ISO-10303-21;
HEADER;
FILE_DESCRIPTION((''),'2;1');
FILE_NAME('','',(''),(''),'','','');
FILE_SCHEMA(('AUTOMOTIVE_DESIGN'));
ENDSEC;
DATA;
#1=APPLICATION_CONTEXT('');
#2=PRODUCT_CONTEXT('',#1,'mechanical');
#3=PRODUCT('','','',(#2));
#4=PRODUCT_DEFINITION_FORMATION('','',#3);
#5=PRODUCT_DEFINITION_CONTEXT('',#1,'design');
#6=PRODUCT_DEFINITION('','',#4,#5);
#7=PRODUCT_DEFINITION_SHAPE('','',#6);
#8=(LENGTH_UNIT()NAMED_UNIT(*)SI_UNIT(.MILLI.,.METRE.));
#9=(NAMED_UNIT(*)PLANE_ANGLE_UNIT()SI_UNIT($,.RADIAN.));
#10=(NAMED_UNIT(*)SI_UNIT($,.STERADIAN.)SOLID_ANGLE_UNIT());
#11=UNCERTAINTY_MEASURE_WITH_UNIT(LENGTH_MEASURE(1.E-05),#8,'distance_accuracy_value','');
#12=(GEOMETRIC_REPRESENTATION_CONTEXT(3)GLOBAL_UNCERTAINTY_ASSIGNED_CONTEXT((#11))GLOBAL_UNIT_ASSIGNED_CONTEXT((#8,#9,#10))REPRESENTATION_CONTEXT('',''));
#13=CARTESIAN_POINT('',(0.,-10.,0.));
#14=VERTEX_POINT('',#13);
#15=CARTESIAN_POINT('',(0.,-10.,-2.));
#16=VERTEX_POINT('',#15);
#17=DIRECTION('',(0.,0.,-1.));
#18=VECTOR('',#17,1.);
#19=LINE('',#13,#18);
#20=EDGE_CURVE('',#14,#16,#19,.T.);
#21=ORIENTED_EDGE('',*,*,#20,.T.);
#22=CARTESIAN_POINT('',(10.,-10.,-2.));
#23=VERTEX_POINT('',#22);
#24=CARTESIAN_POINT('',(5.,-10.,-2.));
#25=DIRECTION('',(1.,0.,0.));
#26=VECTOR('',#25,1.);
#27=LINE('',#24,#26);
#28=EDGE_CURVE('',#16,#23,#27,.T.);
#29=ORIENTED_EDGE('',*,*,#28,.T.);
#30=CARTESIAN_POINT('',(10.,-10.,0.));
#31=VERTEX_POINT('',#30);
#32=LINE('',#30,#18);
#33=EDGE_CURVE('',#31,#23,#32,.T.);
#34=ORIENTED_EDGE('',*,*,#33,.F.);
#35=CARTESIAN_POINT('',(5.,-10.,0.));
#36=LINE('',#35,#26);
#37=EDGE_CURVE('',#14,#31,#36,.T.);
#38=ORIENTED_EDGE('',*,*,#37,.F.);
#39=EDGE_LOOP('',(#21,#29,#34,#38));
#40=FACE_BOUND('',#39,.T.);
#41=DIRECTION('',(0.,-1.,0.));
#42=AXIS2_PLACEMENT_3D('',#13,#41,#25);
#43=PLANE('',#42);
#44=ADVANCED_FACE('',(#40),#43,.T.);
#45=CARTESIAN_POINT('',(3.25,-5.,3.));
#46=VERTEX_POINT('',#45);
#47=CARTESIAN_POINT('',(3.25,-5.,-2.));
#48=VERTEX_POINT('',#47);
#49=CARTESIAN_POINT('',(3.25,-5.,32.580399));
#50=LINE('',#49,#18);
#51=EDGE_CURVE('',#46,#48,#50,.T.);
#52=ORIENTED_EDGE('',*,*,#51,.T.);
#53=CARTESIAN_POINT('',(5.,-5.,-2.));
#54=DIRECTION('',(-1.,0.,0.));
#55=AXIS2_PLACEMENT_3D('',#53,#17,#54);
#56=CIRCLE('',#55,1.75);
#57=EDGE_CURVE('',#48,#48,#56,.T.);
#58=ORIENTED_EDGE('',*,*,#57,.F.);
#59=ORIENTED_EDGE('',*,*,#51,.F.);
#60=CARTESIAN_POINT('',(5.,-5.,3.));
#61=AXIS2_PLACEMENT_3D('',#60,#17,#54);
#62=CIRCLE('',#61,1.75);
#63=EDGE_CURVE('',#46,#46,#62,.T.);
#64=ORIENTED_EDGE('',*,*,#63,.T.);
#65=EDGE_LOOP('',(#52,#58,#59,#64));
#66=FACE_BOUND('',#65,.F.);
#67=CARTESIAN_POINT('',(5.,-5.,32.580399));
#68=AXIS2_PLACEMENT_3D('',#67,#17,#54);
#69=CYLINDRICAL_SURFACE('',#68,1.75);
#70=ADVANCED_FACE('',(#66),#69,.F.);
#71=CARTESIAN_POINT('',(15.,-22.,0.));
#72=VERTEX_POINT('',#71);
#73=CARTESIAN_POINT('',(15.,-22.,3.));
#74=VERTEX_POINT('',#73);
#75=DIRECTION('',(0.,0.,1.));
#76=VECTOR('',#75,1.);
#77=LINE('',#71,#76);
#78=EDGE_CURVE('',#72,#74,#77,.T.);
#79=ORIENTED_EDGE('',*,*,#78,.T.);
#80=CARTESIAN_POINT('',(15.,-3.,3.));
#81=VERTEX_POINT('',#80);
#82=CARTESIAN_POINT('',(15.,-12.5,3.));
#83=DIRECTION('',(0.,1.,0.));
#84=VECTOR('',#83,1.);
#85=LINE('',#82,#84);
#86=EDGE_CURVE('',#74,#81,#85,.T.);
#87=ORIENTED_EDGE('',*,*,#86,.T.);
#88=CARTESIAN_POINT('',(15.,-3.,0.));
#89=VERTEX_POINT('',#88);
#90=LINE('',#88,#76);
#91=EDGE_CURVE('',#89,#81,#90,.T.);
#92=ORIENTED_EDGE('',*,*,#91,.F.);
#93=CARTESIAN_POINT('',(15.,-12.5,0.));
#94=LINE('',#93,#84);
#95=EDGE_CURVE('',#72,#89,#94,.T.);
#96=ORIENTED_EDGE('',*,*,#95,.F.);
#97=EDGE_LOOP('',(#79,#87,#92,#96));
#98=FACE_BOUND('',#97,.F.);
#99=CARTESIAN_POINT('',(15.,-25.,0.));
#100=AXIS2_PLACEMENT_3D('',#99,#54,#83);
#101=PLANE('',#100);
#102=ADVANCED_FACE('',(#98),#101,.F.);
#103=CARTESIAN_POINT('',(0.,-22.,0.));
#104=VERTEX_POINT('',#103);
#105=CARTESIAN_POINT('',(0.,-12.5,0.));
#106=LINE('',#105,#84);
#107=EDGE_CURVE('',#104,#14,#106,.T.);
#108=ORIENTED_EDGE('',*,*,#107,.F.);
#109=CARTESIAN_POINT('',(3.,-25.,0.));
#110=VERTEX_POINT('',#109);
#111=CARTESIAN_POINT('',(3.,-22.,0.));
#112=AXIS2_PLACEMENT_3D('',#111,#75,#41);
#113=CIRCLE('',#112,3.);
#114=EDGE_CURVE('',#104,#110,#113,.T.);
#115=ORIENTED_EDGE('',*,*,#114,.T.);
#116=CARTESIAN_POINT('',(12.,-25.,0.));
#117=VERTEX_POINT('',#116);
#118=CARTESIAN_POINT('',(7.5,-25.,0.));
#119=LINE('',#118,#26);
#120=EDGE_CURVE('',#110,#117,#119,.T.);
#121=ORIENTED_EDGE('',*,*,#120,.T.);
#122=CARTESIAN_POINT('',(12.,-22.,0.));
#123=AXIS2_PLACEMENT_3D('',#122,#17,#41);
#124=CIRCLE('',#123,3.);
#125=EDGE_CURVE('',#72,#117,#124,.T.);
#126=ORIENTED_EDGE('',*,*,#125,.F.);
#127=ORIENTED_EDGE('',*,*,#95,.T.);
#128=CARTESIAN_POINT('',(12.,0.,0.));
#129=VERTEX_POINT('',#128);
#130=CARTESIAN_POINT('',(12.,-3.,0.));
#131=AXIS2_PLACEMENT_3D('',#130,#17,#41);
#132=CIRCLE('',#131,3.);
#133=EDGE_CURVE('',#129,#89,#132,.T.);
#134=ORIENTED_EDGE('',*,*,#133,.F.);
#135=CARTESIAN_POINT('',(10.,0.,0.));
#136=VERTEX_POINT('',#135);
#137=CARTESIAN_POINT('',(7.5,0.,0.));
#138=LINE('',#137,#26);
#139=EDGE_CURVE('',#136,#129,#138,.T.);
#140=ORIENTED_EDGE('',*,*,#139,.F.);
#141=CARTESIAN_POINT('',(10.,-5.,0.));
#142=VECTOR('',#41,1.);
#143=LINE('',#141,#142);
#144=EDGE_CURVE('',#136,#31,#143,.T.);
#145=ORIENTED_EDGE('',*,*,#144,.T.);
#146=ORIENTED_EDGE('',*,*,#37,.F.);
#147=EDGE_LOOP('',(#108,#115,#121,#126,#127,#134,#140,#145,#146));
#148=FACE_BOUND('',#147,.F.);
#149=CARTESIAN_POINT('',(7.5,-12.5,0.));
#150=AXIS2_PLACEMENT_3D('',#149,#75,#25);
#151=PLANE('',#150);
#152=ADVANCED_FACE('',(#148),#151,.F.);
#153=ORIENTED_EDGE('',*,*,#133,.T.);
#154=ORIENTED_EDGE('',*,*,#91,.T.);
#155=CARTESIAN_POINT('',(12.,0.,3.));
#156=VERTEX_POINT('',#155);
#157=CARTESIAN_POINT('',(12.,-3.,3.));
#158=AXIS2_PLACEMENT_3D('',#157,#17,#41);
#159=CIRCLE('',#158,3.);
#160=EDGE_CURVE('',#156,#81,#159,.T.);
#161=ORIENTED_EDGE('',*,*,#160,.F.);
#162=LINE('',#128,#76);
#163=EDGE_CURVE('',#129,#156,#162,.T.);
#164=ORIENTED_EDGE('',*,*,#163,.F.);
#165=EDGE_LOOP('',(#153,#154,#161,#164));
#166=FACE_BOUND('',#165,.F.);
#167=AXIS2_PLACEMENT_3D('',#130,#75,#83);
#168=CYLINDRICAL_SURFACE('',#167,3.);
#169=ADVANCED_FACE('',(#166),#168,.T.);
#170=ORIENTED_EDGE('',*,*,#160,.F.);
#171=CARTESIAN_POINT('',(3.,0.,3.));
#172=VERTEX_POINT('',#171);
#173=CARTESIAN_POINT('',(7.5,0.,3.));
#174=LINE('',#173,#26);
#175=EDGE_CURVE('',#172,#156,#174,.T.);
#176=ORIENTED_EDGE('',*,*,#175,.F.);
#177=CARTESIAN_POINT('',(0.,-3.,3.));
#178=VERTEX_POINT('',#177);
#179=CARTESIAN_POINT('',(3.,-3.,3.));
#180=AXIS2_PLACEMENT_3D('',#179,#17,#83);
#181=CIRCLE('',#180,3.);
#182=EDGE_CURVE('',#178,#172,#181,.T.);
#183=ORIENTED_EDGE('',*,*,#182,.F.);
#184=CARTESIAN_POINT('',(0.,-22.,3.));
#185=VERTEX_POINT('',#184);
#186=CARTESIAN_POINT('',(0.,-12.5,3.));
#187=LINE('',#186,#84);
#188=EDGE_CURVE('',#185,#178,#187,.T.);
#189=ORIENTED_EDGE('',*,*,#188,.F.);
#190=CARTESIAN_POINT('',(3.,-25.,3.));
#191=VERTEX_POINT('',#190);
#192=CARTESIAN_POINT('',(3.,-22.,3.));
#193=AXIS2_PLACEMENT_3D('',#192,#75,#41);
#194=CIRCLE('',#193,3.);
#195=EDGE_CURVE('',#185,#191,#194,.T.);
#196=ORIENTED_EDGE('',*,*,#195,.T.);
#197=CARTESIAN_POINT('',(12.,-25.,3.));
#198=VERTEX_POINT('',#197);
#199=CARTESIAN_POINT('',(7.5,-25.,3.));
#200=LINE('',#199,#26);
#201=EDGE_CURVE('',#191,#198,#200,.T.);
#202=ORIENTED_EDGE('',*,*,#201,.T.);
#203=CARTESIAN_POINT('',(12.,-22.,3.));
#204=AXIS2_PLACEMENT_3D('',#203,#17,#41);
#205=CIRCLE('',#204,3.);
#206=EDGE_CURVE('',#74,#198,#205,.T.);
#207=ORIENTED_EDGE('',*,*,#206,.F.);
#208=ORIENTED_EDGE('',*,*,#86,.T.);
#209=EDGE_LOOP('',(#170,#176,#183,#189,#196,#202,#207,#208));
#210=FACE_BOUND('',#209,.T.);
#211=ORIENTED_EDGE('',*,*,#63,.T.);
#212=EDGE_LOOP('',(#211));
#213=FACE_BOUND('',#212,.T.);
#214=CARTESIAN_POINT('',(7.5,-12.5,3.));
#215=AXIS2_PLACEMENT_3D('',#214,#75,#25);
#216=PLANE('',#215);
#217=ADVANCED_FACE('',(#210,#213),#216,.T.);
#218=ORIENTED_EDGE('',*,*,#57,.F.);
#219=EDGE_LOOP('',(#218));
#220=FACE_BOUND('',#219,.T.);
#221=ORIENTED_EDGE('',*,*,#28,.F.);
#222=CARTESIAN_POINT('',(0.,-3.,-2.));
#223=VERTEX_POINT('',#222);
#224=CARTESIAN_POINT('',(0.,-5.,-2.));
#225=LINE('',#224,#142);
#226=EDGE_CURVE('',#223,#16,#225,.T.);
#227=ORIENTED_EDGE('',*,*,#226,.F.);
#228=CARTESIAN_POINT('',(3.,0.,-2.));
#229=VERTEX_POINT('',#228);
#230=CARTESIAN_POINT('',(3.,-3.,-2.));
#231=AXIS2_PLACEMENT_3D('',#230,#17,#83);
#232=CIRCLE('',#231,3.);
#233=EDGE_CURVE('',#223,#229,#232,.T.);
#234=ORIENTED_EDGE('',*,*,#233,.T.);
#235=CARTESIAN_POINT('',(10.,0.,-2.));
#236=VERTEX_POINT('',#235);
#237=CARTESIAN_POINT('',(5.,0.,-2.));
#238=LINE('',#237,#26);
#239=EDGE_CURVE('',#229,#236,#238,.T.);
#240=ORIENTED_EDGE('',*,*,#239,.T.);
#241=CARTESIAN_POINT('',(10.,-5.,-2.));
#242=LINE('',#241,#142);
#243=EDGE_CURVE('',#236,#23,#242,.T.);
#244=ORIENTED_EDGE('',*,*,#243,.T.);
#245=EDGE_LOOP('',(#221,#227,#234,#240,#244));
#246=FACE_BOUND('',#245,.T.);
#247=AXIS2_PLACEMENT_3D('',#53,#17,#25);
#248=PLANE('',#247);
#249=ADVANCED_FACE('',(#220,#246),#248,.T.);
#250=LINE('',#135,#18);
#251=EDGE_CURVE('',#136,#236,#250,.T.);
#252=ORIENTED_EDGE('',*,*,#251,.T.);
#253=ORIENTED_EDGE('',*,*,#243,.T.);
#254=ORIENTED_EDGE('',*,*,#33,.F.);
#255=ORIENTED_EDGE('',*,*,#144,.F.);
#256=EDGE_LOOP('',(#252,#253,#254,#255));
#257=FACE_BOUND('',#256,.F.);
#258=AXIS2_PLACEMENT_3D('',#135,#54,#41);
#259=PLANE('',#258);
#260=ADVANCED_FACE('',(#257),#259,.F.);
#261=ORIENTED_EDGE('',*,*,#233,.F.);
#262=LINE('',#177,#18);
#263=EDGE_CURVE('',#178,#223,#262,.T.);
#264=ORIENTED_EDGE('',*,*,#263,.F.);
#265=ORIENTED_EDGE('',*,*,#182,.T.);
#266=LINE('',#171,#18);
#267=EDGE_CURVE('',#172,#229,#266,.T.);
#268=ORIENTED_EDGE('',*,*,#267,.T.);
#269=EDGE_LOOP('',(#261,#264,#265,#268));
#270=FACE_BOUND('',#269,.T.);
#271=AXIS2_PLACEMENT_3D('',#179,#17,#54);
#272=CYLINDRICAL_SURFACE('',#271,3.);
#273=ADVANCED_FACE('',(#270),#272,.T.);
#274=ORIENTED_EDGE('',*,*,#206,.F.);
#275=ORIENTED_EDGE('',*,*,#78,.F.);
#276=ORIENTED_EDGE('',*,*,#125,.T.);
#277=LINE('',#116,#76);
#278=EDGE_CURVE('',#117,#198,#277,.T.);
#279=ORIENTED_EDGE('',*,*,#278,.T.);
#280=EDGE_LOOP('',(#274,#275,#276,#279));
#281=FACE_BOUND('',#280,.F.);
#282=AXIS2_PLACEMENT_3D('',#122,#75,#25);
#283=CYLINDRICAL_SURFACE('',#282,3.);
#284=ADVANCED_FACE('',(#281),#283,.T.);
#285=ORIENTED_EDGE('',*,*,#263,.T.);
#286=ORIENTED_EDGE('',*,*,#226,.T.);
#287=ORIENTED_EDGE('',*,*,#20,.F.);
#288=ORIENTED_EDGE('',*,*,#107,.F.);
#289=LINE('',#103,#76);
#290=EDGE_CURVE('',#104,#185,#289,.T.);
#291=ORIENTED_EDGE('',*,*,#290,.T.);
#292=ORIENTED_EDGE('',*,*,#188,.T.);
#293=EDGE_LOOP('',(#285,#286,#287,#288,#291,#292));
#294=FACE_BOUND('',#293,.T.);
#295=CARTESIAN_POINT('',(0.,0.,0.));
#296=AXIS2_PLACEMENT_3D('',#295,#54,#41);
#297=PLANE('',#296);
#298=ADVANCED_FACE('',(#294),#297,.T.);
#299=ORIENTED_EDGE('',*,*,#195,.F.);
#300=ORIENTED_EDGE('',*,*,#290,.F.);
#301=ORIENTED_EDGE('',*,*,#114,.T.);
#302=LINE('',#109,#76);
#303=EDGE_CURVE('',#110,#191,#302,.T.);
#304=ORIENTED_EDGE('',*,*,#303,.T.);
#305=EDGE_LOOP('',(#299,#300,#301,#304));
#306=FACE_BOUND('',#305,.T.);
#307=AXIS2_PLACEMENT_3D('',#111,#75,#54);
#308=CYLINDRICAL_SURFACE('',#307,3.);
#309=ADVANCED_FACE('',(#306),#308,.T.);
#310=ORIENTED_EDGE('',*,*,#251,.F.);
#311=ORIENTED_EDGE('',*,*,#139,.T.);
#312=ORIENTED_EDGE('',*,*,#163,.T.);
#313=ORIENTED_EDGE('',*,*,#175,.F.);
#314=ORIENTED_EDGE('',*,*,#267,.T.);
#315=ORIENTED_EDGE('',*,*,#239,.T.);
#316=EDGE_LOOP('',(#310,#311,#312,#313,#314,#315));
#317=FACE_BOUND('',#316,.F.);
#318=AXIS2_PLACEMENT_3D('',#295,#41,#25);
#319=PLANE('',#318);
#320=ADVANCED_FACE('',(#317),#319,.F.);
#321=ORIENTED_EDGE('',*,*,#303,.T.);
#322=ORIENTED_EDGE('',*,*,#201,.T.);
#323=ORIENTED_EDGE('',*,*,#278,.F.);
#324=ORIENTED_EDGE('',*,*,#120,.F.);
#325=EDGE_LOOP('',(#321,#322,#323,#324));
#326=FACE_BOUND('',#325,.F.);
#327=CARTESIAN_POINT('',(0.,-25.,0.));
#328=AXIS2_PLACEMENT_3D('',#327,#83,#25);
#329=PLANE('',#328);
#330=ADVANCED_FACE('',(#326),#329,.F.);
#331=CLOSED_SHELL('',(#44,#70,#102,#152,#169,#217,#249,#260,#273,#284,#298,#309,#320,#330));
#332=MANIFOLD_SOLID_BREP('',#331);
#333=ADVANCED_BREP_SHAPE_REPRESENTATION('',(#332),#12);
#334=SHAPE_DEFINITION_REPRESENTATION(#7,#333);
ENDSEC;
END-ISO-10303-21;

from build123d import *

# Parameters (mm, degrees)
F0_W     = 15
F0_H     = 25
F1_DEPTH = 3
F2_W     = 10
F2_H     = 10
F3_DEPTH = 2
F4_R     = 3
F6_D     = 3.5


with BuildPart() as f1:
    # F0 (on Top) → F1 (new body)
    with BuildSketch(Plane.XY):
        with Locations((7.5, -12.5)):
            Rectangle(F0_W, F0_H)
    extrude(amount=F1_DEPTH)

    # F2 (on face) → F3 (join)
    with BuildSketch(Plane(origin=(0, 0, 0), x_dir=(1, 0, 0), z_dir=(0, 0, -1))):
        with Locations((5, 5)):
            Rectangle(F2_W, F2_H)
    extrude(amount=F3_DEPTH)

    # F4
    f4_edges = [f1.edges().sort_by_distance(p)[0] for p in [
        (0, 0, 0.5),
        (0, -25, 1.5),
        (15, -25, 1.5),
        (15, 0, 1.5),
    ]]
    fillet(f4_edges, radius=F4_R)

    # F6 (through all)
    with Locations(Plane.XY.offset(3)):
        with Locations((5, -5)):
            Hole(F6_D / 2)


solid = f1.part
